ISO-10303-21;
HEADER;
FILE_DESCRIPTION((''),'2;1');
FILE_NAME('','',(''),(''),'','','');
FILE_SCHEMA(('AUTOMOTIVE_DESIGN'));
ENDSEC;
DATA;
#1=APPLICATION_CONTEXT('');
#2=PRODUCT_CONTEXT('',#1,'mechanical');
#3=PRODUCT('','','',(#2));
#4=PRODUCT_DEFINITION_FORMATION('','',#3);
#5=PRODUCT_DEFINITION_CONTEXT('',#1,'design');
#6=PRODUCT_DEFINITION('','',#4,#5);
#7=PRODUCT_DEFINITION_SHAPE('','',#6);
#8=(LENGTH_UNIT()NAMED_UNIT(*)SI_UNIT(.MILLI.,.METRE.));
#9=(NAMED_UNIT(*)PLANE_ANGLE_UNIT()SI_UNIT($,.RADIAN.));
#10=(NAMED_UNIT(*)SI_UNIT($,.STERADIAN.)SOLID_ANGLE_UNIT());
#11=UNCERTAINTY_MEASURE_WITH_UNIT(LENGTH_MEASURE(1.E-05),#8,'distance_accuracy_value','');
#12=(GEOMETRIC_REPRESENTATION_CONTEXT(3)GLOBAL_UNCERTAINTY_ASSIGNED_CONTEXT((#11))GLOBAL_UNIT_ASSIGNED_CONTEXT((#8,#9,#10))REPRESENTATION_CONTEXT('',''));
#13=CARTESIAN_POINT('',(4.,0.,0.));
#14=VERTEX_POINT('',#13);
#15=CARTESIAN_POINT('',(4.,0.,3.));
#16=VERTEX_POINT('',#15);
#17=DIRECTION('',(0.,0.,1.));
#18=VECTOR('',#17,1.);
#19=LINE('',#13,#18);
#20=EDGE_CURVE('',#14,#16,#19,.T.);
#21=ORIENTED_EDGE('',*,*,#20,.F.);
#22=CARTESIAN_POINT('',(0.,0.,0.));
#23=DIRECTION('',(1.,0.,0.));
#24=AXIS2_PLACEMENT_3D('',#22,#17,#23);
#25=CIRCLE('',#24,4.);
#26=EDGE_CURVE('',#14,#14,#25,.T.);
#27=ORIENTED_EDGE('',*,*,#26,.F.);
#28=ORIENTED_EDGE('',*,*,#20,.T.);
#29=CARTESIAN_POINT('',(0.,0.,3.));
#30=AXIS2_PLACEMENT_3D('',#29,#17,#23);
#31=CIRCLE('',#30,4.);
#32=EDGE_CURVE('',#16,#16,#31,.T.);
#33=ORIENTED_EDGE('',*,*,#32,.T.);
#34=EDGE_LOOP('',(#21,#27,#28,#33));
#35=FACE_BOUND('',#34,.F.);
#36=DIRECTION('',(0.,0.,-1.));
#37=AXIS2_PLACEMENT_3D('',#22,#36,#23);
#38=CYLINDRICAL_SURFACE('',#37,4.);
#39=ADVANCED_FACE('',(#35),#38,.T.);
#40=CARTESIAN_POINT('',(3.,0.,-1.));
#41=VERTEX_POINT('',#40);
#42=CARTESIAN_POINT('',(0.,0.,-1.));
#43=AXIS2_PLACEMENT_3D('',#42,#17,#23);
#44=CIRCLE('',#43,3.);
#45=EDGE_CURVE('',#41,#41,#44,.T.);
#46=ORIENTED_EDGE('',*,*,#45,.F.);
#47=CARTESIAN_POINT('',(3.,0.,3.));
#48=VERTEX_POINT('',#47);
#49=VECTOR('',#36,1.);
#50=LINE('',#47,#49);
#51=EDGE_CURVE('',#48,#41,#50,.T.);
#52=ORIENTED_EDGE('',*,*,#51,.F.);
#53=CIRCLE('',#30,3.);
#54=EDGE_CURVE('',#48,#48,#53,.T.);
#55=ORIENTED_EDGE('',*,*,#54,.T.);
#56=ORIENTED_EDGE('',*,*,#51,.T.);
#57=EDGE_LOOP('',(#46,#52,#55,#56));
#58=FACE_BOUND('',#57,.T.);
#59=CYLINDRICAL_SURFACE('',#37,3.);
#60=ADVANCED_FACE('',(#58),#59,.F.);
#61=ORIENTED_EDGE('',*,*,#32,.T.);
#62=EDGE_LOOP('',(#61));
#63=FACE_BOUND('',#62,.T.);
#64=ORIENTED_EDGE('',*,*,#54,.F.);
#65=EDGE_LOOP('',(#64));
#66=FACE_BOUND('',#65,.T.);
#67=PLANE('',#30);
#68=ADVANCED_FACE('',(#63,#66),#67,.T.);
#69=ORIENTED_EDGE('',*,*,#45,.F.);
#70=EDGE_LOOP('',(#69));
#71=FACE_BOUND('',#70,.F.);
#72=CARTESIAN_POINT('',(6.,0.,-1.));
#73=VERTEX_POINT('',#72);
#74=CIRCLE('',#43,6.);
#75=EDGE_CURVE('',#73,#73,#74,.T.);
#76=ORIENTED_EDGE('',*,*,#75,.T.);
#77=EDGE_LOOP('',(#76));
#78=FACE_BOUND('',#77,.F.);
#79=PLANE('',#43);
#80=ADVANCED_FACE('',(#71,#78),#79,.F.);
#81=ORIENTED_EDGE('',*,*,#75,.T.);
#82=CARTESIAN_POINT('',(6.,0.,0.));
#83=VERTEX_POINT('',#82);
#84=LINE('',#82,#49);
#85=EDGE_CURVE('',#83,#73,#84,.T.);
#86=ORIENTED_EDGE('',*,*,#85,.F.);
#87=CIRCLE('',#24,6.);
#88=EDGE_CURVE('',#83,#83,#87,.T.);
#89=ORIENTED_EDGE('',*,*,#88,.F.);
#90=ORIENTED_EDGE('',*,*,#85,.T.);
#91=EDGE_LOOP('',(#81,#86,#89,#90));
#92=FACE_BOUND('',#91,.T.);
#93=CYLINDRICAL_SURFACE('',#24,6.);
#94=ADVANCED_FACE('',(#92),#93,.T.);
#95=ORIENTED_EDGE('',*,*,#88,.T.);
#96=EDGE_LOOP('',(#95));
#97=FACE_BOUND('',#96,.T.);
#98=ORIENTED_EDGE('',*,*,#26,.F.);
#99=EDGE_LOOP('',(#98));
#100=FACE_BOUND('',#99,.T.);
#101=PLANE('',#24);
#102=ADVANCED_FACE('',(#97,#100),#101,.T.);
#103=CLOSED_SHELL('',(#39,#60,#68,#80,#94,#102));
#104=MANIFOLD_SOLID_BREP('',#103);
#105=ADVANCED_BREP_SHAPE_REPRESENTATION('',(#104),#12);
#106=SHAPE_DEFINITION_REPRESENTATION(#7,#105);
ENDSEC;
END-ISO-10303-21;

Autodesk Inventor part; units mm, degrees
ref_plane "YZ Plane" through (0, 0, 0) normal (1, 0, 0) x (0, 1, 0)
ref_plane "XZ Plane" through (0, 0, 0) normal (0, 1, 0) x (-1, 0, 0)
ref_plane "XY Plane" through (0, 0, 0) normal (0, 0, 1) x (1, 0, 0)
sketch "スケッチ1" plane through (0, 0, 0) normal (0, 0, 1) x (1, 0, 0)
  circle A0 centre (0, 0) radius 3
  circle A1 centre (0, 0) radius 4
  circle A2 centre (0, 0) radius 6
  dimension "d0" = 6
  dimension "d1" = 8
  dimension "d2" = 12
extrude "押し出し1" add sketch "スケッチ1" along normal blind 3 contours A1
extrude "押し出し2" add sketch "スケッチ1" against normal blind 1 contours A1 | A2
properties part number "オイレス　6-8-12　フランジ付き" material "アセタール樹脂、黒"
